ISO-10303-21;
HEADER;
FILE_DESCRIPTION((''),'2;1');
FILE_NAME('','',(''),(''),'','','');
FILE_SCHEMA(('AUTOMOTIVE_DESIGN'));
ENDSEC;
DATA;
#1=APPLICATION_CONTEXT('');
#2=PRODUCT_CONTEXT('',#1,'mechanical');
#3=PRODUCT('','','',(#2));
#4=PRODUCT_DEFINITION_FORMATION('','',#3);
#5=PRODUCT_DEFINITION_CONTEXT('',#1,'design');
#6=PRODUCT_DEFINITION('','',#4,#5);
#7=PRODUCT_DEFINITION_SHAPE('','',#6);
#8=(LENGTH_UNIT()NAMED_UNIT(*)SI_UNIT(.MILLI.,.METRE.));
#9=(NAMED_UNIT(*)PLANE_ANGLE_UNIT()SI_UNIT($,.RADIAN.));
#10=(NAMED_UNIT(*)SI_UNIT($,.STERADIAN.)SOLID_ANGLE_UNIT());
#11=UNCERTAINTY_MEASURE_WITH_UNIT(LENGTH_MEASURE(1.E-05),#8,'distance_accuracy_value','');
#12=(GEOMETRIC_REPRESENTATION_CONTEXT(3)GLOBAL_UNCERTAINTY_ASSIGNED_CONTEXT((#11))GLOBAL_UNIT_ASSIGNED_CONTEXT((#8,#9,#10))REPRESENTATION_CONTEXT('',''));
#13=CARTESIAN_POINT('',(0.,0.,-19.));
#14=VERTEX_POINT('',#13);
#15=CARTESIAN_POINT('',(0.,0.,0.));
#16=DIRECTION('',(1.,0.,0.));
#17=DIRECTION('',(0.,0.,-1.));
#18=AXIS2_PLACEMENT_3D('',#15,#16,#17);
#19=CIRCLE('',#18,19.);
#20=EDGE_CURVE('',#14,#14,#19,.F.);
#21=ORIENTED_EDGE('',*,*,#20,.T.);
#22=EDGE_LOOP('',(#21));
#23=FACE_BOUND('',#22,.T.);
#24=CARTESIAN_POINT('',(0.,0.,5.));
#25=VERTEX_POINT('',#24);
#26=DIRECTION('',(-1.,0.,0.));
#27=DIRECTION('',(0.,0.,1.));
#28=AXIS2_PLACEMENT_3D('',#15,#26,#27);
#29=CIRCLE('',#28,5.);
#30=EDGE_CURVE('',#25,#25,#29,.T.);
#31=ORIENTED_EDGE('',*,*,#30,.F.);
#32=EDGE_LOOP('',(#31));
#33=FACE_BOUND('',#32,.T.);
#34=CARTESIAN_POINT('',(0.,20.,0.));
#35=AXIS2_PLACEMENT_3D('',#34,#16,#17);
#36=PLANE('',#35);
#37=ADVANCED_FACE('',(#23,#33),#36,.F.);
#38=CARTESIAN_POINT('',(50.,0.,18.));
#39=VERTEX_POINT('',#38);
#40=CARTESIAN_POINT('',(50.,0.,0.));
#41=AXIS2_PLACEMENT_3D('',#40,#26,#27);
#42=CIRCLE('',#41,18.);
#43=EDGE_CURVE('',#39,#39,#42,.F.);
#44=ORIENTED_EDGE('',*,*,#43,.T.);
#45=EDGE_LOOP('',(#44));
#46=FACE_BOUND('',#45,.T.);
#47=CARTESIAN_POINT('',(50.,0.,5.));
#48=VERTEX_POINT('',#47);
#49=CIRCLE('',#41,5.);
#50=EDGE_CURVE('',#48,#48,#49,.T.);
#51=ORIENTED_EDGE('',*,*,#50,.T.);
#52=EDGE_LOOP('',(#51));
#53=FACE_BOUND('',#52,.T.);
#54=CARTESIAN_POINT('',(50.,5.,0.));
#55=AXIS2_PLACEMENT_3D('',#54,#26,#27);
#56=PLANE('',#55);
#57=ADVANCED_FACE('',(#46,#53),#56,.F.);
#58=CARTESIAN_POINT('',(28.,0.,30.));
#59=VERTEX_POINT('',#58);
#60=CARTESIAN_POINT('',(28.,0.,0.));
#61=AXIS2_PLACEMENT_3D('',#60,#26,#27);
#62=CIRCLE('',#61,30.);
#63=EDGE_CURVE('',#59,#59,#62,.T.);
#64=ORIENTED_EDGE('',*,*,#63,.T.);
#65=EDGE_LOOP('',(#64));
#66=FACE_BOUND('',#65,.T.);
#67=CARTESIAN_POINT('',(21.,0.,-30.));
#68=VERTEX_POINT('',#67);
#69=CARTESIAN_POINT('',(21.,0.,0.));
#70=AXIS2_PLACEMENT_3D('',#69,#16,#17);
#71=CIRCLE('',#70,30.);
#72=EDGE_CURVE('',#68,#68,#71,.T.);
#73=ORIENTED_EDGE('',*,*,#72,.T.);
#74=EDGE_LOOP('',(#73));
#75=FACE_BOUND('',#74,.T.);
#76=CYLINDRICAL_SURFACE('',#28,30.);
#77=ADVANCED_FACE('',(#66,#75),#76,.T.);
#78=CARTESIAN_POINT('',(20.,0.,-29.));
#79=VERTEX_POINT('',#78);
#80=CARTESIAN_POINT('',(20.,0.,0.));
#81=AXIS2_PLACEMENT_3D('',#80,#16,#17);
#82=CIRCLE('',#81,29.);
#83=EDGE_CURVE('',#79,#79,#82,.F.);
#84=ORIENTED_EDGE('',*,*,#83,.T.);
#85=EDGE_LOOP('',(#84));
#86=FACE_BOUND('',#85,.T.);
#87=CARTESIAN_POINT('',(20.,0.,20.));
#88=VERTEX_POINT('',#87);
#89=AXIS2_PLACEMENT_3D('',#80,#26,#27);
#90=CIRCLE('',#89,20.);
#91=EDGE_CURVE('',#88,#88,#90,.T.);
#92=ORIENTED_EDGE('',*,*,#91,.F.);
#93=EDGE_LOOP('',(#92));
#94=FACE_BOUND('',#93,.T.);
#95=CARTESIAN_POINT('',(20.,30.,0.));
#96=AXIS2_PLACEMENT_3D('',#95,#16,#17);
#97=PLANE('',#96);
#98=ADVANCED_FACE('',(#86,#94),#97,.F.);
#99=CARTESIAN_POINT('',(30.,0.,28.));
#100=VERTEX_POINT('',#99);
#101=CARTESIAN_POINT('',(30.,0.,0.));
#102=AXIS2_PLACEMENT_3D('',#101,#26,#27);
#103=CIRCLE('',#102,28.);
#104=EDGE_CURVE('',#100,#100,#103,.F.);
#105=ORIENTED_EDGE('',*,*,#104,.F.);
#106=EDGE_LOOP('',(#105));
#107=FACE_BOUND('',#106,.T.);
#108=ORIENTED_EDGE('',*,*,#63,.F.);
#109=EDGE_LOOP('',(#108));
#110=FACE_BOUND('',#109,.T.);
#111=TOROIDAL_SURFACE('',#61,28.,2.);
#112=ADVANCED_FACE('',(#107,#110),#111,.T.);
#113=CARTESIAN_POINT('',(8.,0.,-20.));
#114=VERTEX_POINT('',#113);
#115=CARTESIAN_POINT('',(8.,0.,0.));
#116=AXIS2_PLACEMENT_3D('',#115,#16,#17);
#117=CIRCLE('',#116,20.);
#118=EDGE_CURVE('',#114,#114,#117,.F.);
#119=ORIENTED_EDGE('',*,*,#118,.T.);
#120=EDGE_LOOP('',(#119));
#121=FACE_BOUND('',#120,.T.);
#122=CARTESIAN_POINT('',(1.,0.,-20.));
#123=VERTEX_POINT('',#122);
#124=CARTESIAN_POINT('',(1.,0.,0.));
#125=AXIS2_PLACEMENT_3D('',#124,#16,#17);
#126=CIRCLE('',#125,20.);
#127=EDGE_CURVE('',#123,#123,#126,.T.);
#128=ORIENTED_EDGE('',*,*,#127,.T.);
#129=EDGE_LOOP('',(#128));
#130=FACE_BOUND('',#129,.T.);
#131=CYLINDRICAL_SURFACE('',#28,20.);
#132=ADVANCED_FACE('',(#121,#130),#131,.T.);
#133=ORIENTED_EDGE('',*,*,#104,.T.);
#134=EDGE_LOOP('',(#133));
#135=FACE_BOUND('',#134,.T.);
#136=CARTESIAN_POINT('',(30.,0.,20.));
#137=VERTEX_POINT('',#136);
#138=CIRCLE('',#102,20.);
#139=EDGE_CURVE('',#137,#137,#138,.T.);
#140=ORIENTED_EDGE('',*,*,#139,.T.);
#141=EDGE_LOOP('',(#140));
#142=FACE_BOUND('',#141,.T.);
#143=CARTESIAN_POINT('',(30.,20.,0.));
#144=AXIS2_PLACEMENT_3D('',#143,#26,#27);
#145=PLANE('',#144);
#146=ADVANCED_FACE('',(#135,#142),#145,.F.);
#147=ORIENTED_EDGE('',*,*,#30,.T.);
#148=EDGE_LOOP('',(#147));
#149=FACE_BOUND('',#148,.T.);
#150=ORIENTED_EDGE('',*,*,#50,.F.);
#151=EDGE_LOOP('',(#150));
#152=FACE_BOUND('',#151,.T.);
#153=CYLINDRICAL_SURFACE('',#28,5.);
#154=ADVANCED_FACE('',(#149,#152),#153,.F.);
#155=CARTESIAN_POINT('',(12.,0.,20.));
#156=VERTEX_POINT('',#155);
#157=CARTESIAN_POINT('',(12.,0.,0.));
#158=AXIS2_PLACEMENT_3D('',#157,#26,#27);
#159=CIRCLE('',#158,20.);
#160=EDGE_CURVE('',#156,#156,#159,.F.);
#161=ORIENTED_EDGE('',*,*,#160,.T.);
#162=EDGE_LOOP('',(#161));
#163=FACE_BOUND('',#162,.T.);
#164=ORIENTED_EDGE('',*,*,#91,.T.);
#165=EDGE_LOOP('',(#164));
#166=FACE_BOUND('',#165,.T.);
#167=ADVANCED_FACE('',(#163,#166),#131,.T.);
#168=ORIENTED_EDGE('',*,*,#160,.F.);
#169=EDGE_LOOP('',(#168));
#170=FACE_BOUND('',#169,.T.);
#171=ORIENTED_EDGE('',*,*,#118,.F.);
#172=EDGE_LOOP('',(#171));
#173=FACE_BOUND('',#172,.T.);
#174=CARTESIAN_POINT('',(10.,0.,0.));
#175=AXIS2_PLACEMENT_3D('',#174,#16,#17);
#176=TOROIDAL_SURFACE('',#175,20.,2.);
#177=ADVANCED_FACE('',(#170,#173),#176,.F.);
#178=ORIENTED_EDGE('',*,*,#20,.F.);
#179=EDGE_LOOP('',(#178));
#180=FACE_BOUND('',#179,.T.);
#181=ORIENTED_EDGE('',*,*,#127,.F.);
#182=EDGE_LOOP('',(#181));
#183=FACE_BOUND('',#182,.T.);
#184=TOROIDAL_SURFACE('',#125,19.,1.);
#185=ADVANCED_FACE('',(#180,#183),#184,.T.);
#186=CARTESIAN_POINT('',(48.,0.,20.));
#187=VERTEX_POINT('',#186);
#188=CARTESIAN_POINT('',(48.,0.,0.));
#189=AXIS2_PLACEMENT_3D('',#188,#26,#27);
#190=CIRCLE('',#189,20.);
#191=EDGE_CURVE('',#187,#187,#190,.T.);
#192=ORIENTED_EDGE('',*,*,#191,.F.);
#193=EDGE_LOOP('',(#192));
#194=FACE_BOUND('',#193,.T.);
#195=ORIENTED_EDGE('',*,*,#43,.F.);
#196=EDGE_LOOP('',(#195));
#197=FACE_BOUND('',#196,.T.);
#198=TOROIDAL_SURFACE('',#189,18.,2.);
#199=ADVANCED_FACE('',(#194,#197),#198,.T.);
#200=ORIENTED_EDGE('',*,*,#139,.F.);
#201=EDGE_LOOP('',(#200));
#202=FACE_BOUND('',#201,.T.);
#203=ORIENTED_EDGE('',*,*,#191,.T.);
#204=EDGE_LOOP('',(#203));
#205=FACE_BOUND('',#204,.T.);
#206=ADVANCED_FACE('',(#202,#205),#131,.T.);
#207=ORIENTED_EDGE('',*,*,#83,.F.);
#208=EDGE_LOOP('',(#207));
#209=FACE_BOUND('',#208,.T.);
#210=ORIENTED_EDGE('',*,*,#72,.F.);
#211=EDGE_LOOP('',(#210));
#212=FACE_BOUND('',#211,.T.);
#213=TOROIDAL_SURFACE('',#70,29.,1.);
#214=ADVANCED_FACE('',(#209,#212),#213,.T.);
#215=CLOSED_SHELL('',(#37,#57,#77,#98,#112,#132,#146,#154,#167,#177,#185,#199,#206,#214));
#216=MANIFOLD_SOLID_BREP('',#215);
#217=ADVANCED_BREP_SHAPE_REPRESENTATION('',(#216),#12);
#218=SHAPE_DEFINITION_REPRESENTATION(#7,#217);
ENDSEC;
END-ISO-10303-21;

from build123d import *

# Parameters (mm, degrees)
SKICA2_R    = 2
ZAOBLIT8_R  = 1
ZAOBLIT9_R  = 1
ZAOBLIT10_R = 2
ZAOBLIT11_R = 2


with BuildPart() as part:
    # Skica1 → Rotovat1 (revolve)
    with BuildSketch(Plane.XY, mode=Mode.PRIVATE) as rotovat1_sk:
        Polygon((0, 5), (50, 5), (50, 20), (30, 20), (30, 30), (20, 30), (20, 20), (0, 20), align=None)
    revolve(rotovat1_sk.sketch.rotate(Axis((0, 0, 0), (1, 0, 0)), 90), axis=Axis((0, 0, 0), (1, 0, 0)))

    # Skica2 → Odebrat rotací1 (revolve, cut)
    with BuildSketch(Plane.XY, mode=Mode.PRIVATE) as odebrat_rotac_1_sk:
        with Locations((10, 20)):
            Circle(SKICA2_R)
    revolve(odebrat_rotac_1_sk.sketch.rotate(Axis((0, 0, 0), (-1, 0, 0)), 270), axis=Axis((0, 0, 0), (-1, 0, 0)), mode=Mode.SUBTRACT)

    # Zaoblit8
    zaoblit8_edges = [part.edges().sort_by_distance(p)[0] for p in [
        (0, 0, -20),
    ]]
    fillet(zaoblit8_edges, radius=ZAOBLIT8_R)

    # Zaoblit9
    zaoblit9_edges = [part.edges().sort_by_distance(p)[0] for p in [
        (20, 0, -30),
    ]]
    fillet(zaoblit9_edges, radius=ZAOBLIT9_R)

    # Zaoblit10
    zaoblit10_edges = [part.edges().sort_by_distance(p)[0] for p in [
        (30, 0, -30),
    ]]
    fillet(zaoblit10_edges, radius=ZAOBLIT10_R)

    # Zaoblit11
    zaoblit11_edges = [part.edges().sort_by_distance(p)[0] for p in [
        (50, 0, -20),
    ]]
    fillet(zaoblit11_edges, radius=ZAOBLIT11_R)


solid = part.part
